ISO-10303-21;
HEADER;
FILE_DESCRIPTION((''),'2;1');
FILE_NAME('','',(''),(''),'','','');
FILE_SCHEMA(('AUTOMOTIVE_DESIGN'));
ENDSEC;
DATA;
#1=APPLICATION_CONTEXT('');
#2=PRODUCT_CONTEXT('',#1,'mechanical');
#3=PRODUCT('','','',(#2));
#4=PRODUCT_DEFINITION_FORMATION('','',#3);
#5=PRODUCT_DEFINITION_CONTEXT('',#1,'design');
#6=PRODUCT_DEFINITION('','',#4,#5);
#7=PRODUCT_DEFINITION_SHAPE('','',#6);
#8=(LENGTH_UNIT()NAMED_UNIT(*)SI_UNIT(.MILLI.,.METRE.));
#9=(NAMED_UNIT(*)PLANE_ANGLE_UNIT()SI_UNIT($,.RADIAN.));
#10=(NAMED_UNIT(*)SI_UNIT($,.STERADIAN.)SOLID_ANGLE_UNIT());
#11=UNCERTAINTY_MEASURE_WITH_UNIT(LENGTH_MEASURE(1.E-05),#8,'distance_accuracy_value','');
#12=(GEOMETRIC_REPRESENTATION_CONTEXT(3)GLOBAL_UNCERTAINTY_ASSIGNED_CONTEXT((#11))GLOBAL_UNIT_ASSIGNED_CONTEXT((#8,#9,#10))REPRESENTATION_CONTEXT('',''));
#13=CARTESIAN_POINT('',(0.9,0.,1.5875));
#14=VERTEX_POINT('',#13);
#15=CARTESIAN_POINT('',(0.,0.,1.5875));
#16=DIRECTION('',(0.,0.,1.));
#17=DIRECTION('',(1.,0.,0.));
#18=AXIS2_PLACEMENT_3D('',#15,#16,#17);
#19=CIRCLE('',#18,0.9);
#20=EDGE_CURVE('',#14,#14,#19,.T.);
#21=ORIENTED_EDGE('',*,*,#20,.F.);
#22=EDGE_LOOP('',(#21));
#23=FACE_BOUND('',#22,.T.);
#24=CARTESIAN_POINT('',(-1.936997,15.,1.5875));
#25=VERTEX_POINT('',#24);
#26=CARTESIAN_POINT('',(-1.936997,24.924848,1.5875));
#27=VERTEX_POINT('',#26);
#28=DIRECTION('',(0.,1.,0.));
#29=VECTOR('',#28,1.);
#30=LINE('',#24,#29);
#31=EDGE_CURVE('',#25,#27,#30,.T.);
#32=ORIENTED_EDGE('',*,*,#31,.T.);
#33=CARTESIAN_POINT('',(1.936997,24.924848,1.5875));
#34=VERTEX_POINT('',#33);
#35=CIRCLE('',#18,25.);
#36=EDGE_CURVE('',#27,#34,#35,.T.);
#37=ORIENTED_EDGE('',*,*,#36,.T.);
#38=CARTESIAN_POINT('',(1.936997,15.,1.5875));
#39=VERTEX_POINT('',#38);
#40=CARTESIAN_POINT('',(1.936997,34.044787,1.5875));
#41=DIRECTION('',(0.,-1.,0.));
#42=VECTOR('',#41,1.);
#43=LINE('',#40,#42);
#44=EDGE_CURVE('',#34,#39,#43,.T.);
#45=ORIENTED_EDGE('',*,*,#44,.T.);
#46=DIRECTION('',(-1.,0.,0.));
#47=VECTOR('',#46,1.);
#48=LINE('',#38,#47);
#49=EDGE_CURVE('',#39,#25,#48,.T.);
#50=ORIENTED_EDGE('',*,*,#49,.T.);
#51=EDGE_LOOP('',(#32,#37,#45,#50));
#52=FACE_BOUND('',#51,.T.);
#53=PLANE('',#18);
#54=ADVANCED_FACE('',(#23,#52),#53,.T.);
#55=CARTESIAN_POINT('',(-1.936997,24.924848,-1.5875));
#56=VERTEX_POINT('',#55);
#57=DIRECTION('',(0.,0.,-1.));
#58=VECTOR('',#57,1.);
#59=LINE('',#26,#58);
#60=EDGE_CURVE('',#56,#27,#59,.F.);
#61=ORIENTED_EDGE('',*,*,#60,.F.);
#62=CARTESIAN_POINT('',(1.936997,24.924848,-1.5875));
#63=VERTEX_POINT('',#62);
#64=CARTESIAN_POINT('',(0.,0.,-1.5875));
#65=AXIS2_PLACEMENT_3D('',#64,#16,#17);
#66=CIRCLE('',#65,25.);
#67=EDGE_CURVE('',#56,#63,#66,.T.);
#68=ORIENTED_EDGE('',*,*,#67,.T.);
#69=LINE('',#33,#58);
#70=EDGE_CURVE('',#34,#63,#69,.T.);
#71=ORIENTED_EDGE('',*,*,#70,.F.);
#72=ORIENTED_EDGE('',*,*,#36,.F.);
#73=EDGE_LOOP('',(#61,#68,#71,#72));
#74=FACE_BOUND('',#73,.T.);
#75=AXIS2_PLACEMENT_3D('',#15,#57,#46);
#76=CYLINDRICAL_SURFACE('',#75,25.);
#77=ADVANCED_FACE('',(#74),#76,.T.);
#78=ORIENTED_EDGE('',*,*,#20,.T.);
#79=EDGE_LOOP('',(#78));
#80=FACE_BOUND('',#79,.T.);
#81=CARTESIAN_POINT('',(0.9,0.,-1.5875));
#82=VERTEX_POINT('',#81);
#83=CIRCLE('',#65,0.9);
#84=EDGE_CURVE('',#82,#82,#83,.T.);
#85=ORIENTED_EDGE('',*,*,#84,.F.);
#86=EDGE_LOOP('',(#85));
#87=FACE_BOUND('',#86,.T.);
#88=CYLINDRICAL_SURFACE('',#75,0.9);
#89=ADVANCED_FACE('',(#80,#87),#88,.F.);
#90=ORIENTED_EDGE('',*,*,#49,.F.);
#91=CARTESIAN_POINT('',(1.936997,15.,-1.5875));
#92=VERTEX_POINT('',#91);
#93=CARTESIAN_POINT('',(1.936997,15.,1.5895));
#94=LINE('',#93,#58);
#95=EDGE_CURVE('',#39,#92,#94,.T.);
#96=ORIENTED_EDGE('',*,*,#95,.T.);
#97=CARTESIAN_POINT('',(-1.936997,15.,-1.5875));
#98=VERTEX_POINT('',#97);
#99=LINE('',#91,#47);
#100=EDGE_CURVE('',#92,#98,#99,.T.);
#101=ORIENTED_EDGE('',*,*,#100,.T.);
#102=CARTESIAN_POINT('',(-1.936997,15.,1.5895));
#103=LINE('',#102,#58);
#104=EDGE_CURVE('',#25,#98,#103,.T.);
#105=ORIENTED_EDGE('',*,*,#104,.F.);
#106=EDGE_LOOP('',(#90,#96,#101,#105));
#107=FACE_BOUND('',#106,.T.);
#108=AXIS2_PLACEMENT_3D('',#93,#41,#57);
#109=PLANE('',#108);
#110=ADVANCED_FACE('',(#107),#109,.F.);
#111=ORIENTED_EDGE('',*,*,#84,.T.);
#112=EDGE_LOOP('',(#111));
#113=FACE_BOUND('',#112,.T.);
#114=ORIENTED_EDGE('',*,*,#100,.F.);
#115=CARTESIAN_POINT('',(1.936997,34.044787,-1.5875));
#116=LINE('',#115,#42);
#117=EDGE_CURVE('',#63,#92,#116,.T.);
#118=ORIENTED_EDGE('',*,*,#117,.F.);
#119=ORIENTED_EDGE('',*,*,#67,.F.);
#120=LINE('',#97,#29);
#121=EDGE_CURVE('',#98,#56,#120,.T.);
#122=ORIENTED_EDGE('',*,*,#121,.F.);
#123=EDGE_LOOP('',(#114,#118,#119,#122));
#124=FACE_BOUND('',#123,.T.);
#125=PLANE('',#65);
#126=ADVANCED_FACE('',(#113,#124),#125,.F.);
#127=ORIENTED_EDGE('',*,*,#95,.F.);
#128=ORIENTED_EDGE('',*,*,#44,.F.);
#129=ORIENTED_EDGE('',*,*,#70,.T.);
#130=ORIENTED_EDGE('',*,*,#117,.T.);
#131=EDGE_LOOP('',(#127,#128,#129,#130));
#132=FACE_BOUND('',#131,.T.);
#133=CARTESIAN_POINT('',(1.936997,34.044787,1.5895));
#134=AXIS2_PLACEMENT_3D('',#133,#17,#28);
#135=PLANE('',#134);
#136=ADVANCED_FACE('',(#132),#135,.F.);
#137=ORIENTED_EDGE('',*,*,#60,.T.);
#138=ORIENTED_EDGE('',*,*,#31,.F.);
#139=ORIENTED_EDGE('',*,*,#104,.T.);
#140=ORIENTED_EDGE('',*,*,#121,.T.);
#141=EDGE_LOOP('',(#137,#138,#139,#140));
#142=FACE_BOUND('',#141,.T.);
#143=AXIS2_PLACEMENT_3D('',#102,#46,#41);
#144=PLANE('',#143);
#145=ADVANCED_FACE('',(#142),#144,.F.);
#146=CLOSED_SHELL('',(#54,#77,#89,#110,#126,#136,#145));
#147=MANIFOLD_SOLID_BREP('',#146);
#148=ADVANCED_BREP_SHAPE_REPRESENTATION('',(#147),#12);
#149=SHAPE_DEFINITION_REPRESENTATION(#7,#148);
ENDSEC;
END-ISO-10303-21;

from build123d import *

# Parameters (mm, degrees)
SKETCH1_R           = 25
SKETCH1_R_2         = 0.9
BOSS_EXTRUDE1_DEPTH = 1.5875
CUT_EXTRUDE1_REACH  = 37.498
SKETCH2_W           = 3.873993702
SKETCH2_H           = 19.044786736


with BuildPart() as part:
    # Sketch1 → Boss-Extrude1 (new, symmetric)
    with BuildSketch(Plane.XY):
        Circle(SKETCH1_R)
        Circle(SKETCH1_R_2, mode=Mode.SUBTRACT)
    extrude(amount=BOSS_EXTRUDE1_DEPTH, both=True)

    # Sketch2 → Cut-Extrude1 (cut, up to next)
    with BuildSketch(Plane(origin=(0, 0, -1.5875), x_dir=(-1, 0, 0), z_dir=(0, 0, -1)), mode=Mode.PRIVATE) as cut_extrude1_sk1:
        with Locations((0, 24.522393368)):
            Rectangle(SKETCH2_W, SKETCH2_H)
    cut_extrude1_tool1 = extrude(cut_extrude1_sk1.sketch, amount=-CUT_EXTRUDE1_REACH, mode=Mode.PRIVATE) & part.part
    add(cut_extrude1_tool1.solids().sort_by_distance((0, 24.522393, -1.5875))[0], mode=Mode.SUBTRACT)


solid = part.part
